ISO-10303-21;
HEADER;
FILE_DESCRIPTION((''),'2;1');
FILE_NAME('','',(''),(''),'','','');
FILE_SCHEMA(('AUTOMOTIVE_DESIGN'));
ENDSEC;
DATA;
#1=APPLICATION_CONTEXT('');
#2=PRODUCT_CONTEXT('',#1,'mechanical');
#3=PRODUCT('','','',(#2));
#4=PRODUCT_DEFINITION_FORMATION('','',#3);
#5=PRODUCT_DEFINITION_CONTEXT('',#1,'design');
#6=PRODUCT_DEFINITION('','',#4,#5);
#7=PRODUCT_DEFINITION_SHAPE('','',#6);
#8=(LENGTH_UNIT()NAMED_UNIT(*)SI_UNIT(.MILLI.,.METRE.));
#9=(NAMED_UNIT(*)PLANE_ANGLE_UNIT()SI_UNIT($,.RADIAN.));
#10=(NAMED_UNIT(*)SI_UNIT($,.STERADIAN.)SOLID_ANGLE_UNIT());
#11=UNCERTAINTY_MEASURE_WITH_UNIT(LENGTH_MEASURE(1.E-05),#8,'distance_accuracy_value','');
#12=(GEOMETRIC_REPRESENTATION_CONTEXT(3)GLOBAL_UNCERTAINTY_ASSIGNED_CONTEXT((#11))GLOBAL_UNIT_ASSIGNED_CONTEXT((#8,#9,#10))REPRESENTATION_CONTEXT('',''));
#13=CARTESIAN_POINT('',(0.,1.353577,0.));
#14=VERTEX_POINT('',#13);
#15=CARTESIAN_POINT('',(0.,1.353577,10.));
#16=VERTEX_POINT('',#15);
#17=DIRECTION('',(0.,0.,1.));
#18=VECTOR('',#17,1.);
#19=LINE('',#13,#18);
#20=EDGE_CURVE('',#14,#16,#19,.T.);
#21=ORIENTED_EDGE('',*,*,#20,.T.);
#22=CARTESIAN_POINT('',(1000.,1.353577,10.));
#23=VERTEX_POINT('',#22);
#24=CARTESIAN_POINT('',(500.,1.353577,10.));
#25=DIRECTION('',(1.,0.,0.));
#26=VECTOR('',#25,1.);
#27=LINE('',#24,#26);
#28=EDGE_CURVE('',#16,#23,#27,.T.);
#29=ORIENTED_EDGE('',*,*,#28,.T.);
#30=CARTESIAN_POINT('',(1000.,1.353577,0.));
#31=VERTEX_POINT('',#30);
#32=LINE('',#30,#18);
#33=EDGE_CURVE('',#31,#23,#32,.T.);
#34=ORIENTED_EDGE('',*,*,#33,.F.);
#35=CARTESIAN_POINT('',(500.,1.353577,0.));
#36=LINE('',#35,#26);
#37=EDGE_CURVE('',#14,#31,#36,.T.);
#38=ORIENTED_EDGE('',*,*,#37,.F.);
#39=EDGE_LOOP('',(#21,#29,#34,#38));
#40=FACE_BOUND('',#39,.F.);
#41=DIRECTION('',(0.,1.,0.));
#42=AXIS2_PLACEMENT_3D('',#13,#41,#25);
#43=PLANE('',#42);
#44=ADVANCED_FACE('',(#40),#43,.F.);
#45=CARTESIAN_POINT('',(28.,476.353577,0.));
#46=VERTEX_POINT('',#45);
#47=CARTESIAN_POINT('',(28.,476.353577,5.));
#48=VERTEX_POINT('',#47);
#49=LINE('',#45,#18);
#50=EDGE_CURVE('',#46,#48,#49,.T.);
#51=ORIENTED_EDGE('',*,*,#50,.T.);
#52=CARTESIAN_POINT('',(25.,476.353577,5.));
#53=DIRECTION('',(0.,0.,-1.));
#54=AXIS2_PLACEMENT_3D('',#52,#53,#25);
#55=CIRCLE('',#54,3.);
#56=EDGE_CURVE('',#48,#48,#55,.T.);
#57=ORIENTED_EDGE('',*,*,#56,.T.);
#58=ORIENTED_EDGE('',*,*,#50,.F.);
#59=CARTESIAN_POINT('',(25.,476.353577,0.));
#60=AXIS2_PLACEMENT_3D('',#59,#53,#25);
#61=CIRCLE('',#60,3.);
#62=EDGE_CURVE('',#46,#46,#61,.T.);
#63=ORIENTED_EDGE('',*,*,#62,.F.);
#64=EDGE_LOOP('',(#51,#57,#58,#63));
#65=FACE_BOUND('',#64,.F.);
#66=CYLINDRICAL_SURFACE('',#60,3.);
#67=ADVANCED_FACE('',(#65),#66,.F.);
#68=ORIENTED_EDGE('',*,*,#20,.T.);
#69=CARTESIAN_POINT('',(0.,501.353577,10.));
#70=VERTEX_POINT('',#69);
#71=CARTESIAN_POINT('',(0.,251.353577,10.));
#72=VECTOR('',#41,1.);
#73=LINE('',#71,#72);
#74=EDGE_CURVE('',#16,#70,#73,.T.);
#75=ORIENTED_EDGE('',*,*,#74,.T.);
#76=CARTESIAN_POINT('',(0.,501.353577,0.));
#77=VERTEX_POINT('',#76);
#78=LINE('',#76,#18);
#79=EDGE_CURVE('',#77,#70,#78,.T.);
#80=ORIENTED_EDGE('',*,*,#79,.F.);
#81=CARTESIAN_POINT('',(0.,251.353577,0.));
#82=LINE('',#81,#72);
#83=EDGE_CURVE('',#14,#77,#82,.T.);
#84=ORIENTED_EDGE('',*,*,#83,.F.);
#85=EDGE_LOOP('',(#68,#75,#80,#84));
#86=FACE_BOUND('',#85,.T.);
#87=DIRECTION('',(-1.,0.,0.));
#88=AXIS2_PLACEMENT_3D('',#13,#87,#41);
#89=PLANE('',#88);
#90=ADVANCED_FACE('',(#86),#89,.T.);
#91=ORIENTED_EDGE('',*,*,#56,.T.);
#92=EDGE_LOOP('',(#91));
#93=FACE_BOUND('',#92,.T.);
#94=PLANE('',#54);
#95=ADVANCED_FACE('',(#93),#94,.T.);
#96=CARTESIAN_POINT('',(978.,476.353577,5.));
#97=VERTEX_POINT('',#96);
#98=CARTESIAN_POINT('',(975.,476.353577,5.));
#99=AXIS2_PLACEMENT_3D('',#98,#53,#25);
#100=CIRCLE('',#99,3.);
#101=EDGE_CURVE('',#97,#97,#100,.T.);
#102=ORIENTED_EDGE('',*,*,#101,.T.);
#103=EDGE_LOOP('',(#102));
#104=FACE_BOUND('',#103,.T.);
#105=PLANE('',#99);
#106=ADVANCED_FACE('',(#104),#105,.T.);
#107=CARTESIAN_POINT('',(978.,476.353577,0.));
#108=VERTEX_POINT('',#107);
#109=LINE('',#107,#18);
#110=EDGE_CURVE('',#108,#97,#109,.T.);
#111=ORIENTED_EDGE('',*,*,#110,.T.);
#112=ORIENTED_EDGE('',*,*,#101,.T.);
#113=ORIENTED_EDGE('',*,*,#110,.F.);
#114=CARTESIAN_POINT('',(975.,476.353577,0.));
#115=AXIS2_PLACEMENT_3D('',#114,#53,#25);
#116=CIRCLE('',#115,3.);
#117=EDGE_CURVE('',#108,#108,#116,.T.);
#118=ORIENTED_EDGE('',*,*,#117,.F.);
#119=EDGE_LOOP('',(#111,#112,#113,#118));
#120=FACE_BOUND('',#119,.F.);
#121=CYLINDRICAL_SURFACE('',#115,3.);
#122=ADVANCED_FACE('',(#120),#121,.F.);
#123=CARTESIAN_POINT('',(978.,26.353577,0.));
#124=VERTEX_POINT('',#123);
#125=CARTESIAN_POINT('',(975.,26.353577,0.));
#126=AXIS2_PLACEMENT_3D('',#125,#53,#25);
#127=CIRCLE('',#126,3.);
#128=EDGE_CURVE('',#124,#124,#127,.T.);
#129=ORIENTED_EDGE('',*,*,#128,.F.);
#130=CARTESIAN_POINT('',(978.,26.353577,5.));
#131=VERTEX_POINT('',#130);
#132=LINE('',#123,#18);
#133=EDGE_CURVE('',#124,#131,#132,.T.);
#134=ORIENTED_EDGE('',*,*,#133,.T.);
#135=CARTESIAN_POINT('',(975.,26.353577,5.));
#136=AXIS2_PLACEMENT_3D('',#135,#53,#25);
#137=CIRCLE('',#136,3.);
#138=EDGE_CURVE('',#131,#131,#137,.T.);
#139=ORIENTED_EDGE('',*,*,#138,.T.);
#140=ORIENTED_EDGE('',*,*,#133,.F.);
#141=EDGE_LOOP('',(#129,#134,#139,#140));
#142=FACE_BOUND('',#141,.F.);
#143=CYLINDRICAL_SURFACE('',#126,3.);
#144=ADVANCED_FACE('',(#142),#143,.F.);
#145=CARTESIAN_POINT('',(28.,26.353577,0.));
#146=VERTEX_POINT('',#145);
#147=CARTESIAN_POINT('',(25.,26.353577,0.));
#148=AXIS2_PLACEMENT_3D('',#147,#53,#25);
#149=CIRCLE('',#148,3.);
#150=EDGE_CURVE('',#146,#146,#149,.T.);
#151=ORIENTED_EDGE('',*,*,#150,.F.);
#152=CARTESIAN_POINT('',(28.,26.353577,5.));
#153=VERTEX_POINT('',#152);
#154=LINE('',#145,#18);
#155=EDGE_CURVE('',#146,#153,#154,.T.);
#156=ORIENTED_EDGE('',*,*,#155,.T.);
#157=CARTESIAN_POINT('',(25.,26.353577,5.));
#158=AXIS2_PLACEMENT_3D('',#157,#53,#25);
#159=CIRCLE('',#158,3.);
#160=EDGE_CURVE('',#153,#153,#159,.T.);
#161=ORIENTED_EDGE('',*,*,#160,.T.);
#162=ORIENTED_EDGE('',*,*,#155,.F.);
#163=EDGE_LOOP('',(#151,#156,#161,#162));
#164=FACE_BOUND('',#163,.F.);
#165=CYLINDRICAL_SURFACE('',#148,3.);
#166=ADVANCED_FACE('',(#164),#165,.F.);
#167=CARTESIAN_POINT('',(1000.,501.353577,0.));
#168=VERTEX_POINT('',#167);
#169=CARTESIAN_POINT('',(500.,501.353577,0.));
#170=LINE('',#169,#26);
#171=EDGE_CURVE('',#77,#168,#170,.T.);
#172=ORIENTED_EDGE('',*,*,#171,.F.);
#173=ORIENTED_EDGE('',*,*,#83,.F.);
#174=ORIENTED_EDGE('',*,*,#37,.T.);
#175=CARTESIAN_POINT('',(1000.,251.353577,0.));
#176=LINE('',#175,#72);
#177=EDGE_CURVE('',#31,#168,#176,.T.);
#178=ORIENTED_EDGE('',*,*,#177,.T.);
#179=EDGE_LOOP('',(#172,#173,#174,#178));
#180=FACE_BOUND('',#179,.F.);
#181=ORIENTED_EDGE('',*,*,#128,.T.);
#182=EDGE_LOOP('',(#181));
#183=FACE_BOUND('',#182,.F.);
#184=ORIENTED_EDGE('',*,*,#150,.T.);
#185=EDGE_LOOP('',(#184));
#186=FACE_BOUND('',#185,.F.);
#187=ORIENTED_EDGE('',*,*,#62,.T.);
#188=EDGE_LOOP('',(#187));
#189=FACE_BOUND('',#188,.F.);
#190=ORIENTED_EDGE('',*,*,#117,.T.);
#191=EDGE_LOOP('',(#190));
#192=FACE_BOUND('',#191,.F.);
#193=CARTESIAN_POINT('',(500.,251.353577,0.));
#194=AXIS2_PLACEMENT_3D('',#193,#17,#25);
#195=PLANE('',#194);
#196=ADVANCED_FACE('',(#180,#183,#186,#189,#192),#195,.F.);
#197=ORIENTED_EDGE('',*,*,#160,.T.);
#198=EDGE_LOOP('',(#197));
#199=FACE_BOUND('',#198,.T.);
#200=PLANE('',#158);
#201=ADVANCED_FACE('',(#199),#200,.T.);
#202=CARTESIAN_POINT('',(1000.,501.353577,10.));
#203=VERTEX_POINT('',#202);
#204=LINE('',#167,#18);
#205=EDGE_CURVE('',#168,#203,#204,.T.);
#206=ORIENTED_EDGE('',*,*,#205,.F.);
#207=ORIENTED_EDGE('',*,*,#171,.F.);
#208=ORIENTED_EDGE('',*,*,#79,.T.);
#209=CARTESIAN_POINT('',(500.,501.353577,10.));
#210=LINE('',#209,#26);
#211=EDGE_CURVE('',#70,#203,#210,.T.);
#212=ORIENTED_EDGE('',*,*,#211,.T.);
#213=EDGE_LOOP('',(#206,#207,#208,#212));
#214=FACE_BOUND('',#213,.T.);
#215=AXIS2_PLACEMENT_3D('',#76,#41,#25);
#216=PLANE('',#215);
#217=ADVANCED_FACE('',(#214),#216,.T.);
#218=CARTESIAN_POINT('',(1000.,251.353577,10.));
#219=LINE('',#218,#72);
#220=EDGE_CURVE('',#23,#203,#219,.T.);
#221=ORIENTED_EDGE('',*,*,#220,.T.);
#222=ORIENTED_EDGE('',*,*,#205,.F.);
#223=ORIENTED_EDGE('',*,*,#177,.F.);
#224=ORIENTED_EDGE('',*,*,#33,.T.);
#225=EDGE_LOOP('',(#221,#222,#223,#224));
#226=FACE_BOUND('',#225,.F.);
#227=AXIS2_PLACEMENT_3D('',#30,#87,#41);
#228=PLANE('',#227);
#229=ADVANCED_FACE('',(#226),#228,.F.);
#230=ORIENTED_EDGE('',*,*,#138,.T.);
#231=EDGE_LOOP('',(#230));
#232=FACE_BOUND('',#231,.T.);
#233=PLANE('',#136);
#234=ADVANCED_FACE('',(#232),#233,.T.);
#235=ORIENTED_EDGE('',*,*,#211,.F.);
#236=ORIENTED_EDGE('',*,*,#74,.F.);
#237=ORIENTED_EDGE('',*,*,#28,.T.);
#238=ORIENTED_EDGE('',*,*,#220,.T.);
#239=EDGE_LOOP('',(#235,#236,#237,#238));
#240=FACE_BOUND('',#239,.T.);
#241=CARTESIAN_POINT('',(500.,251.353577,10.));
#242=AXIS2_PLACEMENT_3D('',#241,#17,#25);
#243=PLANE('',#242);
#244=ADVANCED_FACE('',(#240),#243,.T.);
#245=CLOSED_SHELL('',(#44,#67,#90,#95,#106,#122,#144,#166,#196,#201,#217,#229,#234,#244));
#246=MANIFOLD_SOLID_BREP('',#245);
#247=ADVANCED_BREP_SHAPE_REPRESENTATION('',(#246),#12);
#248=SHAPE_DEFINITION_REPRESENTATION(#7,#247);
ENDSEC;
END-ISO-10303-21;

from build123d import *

# Parameters (mm, degrees)
F0_W     = 1000
F0_H     = 500
F1_DEPTH = 10
F2_R     = 3
F3_DEPTH = 5
F4_DEPTH = 5
F5_DEPTH = 5


with BuildPart() as f1:
    # F0 (on Top) → F1 (new body)
    with BuildSketch(Plane.XY):
        with Locations((500, 251.353577)):
            Rectangle(F0_W, F0_H)
    extrude(amount=F1_DEPTH)

    # F2 (on face) → F3 (cut)
    with BuildSketch(Plane(origin=(0, 0, 0), x_dir=(1, 0, 0), z_dir=(0, 0, -1))):
        with Locations((25, -26.353577)):
            Circle(F2_R)
    extrude(amount=-F3_DEPTH, mode=Mode.SUBTRACT)

    # F2 (on face) → F4 (cut)
    with BuildSketch(Plane(origin=(0, 0, 0), x_dir=(1, 0, 0), z_dir=(0, 0, -1))):
        with Locations((25, -476.353577)):
            Circle(F2_R)
    extrude(amount=-F4_DEPTH, mode=Mode.SUBTRACT)

    # F2 (on face) → F5 (cut)
    with BuildSketch(Plane(origin=(0, 0, 0), x_dir=(1, 0, 0), z_dir=(0, 0, -1))):
        with Locations((25, -26.353577)):
            Circle(F2_R)
        with Locations((25, -476.353577)):
            Circle(F2_R)
        with Locations((975, -26.353577)):
            Circle(F2_R)
        with Locations((975, -476.353577)):
            Circle(F2_R)
    extrude(amount=-F5_DEPTH, mode=Mode.SUBTRACT)


solid = f1.part
